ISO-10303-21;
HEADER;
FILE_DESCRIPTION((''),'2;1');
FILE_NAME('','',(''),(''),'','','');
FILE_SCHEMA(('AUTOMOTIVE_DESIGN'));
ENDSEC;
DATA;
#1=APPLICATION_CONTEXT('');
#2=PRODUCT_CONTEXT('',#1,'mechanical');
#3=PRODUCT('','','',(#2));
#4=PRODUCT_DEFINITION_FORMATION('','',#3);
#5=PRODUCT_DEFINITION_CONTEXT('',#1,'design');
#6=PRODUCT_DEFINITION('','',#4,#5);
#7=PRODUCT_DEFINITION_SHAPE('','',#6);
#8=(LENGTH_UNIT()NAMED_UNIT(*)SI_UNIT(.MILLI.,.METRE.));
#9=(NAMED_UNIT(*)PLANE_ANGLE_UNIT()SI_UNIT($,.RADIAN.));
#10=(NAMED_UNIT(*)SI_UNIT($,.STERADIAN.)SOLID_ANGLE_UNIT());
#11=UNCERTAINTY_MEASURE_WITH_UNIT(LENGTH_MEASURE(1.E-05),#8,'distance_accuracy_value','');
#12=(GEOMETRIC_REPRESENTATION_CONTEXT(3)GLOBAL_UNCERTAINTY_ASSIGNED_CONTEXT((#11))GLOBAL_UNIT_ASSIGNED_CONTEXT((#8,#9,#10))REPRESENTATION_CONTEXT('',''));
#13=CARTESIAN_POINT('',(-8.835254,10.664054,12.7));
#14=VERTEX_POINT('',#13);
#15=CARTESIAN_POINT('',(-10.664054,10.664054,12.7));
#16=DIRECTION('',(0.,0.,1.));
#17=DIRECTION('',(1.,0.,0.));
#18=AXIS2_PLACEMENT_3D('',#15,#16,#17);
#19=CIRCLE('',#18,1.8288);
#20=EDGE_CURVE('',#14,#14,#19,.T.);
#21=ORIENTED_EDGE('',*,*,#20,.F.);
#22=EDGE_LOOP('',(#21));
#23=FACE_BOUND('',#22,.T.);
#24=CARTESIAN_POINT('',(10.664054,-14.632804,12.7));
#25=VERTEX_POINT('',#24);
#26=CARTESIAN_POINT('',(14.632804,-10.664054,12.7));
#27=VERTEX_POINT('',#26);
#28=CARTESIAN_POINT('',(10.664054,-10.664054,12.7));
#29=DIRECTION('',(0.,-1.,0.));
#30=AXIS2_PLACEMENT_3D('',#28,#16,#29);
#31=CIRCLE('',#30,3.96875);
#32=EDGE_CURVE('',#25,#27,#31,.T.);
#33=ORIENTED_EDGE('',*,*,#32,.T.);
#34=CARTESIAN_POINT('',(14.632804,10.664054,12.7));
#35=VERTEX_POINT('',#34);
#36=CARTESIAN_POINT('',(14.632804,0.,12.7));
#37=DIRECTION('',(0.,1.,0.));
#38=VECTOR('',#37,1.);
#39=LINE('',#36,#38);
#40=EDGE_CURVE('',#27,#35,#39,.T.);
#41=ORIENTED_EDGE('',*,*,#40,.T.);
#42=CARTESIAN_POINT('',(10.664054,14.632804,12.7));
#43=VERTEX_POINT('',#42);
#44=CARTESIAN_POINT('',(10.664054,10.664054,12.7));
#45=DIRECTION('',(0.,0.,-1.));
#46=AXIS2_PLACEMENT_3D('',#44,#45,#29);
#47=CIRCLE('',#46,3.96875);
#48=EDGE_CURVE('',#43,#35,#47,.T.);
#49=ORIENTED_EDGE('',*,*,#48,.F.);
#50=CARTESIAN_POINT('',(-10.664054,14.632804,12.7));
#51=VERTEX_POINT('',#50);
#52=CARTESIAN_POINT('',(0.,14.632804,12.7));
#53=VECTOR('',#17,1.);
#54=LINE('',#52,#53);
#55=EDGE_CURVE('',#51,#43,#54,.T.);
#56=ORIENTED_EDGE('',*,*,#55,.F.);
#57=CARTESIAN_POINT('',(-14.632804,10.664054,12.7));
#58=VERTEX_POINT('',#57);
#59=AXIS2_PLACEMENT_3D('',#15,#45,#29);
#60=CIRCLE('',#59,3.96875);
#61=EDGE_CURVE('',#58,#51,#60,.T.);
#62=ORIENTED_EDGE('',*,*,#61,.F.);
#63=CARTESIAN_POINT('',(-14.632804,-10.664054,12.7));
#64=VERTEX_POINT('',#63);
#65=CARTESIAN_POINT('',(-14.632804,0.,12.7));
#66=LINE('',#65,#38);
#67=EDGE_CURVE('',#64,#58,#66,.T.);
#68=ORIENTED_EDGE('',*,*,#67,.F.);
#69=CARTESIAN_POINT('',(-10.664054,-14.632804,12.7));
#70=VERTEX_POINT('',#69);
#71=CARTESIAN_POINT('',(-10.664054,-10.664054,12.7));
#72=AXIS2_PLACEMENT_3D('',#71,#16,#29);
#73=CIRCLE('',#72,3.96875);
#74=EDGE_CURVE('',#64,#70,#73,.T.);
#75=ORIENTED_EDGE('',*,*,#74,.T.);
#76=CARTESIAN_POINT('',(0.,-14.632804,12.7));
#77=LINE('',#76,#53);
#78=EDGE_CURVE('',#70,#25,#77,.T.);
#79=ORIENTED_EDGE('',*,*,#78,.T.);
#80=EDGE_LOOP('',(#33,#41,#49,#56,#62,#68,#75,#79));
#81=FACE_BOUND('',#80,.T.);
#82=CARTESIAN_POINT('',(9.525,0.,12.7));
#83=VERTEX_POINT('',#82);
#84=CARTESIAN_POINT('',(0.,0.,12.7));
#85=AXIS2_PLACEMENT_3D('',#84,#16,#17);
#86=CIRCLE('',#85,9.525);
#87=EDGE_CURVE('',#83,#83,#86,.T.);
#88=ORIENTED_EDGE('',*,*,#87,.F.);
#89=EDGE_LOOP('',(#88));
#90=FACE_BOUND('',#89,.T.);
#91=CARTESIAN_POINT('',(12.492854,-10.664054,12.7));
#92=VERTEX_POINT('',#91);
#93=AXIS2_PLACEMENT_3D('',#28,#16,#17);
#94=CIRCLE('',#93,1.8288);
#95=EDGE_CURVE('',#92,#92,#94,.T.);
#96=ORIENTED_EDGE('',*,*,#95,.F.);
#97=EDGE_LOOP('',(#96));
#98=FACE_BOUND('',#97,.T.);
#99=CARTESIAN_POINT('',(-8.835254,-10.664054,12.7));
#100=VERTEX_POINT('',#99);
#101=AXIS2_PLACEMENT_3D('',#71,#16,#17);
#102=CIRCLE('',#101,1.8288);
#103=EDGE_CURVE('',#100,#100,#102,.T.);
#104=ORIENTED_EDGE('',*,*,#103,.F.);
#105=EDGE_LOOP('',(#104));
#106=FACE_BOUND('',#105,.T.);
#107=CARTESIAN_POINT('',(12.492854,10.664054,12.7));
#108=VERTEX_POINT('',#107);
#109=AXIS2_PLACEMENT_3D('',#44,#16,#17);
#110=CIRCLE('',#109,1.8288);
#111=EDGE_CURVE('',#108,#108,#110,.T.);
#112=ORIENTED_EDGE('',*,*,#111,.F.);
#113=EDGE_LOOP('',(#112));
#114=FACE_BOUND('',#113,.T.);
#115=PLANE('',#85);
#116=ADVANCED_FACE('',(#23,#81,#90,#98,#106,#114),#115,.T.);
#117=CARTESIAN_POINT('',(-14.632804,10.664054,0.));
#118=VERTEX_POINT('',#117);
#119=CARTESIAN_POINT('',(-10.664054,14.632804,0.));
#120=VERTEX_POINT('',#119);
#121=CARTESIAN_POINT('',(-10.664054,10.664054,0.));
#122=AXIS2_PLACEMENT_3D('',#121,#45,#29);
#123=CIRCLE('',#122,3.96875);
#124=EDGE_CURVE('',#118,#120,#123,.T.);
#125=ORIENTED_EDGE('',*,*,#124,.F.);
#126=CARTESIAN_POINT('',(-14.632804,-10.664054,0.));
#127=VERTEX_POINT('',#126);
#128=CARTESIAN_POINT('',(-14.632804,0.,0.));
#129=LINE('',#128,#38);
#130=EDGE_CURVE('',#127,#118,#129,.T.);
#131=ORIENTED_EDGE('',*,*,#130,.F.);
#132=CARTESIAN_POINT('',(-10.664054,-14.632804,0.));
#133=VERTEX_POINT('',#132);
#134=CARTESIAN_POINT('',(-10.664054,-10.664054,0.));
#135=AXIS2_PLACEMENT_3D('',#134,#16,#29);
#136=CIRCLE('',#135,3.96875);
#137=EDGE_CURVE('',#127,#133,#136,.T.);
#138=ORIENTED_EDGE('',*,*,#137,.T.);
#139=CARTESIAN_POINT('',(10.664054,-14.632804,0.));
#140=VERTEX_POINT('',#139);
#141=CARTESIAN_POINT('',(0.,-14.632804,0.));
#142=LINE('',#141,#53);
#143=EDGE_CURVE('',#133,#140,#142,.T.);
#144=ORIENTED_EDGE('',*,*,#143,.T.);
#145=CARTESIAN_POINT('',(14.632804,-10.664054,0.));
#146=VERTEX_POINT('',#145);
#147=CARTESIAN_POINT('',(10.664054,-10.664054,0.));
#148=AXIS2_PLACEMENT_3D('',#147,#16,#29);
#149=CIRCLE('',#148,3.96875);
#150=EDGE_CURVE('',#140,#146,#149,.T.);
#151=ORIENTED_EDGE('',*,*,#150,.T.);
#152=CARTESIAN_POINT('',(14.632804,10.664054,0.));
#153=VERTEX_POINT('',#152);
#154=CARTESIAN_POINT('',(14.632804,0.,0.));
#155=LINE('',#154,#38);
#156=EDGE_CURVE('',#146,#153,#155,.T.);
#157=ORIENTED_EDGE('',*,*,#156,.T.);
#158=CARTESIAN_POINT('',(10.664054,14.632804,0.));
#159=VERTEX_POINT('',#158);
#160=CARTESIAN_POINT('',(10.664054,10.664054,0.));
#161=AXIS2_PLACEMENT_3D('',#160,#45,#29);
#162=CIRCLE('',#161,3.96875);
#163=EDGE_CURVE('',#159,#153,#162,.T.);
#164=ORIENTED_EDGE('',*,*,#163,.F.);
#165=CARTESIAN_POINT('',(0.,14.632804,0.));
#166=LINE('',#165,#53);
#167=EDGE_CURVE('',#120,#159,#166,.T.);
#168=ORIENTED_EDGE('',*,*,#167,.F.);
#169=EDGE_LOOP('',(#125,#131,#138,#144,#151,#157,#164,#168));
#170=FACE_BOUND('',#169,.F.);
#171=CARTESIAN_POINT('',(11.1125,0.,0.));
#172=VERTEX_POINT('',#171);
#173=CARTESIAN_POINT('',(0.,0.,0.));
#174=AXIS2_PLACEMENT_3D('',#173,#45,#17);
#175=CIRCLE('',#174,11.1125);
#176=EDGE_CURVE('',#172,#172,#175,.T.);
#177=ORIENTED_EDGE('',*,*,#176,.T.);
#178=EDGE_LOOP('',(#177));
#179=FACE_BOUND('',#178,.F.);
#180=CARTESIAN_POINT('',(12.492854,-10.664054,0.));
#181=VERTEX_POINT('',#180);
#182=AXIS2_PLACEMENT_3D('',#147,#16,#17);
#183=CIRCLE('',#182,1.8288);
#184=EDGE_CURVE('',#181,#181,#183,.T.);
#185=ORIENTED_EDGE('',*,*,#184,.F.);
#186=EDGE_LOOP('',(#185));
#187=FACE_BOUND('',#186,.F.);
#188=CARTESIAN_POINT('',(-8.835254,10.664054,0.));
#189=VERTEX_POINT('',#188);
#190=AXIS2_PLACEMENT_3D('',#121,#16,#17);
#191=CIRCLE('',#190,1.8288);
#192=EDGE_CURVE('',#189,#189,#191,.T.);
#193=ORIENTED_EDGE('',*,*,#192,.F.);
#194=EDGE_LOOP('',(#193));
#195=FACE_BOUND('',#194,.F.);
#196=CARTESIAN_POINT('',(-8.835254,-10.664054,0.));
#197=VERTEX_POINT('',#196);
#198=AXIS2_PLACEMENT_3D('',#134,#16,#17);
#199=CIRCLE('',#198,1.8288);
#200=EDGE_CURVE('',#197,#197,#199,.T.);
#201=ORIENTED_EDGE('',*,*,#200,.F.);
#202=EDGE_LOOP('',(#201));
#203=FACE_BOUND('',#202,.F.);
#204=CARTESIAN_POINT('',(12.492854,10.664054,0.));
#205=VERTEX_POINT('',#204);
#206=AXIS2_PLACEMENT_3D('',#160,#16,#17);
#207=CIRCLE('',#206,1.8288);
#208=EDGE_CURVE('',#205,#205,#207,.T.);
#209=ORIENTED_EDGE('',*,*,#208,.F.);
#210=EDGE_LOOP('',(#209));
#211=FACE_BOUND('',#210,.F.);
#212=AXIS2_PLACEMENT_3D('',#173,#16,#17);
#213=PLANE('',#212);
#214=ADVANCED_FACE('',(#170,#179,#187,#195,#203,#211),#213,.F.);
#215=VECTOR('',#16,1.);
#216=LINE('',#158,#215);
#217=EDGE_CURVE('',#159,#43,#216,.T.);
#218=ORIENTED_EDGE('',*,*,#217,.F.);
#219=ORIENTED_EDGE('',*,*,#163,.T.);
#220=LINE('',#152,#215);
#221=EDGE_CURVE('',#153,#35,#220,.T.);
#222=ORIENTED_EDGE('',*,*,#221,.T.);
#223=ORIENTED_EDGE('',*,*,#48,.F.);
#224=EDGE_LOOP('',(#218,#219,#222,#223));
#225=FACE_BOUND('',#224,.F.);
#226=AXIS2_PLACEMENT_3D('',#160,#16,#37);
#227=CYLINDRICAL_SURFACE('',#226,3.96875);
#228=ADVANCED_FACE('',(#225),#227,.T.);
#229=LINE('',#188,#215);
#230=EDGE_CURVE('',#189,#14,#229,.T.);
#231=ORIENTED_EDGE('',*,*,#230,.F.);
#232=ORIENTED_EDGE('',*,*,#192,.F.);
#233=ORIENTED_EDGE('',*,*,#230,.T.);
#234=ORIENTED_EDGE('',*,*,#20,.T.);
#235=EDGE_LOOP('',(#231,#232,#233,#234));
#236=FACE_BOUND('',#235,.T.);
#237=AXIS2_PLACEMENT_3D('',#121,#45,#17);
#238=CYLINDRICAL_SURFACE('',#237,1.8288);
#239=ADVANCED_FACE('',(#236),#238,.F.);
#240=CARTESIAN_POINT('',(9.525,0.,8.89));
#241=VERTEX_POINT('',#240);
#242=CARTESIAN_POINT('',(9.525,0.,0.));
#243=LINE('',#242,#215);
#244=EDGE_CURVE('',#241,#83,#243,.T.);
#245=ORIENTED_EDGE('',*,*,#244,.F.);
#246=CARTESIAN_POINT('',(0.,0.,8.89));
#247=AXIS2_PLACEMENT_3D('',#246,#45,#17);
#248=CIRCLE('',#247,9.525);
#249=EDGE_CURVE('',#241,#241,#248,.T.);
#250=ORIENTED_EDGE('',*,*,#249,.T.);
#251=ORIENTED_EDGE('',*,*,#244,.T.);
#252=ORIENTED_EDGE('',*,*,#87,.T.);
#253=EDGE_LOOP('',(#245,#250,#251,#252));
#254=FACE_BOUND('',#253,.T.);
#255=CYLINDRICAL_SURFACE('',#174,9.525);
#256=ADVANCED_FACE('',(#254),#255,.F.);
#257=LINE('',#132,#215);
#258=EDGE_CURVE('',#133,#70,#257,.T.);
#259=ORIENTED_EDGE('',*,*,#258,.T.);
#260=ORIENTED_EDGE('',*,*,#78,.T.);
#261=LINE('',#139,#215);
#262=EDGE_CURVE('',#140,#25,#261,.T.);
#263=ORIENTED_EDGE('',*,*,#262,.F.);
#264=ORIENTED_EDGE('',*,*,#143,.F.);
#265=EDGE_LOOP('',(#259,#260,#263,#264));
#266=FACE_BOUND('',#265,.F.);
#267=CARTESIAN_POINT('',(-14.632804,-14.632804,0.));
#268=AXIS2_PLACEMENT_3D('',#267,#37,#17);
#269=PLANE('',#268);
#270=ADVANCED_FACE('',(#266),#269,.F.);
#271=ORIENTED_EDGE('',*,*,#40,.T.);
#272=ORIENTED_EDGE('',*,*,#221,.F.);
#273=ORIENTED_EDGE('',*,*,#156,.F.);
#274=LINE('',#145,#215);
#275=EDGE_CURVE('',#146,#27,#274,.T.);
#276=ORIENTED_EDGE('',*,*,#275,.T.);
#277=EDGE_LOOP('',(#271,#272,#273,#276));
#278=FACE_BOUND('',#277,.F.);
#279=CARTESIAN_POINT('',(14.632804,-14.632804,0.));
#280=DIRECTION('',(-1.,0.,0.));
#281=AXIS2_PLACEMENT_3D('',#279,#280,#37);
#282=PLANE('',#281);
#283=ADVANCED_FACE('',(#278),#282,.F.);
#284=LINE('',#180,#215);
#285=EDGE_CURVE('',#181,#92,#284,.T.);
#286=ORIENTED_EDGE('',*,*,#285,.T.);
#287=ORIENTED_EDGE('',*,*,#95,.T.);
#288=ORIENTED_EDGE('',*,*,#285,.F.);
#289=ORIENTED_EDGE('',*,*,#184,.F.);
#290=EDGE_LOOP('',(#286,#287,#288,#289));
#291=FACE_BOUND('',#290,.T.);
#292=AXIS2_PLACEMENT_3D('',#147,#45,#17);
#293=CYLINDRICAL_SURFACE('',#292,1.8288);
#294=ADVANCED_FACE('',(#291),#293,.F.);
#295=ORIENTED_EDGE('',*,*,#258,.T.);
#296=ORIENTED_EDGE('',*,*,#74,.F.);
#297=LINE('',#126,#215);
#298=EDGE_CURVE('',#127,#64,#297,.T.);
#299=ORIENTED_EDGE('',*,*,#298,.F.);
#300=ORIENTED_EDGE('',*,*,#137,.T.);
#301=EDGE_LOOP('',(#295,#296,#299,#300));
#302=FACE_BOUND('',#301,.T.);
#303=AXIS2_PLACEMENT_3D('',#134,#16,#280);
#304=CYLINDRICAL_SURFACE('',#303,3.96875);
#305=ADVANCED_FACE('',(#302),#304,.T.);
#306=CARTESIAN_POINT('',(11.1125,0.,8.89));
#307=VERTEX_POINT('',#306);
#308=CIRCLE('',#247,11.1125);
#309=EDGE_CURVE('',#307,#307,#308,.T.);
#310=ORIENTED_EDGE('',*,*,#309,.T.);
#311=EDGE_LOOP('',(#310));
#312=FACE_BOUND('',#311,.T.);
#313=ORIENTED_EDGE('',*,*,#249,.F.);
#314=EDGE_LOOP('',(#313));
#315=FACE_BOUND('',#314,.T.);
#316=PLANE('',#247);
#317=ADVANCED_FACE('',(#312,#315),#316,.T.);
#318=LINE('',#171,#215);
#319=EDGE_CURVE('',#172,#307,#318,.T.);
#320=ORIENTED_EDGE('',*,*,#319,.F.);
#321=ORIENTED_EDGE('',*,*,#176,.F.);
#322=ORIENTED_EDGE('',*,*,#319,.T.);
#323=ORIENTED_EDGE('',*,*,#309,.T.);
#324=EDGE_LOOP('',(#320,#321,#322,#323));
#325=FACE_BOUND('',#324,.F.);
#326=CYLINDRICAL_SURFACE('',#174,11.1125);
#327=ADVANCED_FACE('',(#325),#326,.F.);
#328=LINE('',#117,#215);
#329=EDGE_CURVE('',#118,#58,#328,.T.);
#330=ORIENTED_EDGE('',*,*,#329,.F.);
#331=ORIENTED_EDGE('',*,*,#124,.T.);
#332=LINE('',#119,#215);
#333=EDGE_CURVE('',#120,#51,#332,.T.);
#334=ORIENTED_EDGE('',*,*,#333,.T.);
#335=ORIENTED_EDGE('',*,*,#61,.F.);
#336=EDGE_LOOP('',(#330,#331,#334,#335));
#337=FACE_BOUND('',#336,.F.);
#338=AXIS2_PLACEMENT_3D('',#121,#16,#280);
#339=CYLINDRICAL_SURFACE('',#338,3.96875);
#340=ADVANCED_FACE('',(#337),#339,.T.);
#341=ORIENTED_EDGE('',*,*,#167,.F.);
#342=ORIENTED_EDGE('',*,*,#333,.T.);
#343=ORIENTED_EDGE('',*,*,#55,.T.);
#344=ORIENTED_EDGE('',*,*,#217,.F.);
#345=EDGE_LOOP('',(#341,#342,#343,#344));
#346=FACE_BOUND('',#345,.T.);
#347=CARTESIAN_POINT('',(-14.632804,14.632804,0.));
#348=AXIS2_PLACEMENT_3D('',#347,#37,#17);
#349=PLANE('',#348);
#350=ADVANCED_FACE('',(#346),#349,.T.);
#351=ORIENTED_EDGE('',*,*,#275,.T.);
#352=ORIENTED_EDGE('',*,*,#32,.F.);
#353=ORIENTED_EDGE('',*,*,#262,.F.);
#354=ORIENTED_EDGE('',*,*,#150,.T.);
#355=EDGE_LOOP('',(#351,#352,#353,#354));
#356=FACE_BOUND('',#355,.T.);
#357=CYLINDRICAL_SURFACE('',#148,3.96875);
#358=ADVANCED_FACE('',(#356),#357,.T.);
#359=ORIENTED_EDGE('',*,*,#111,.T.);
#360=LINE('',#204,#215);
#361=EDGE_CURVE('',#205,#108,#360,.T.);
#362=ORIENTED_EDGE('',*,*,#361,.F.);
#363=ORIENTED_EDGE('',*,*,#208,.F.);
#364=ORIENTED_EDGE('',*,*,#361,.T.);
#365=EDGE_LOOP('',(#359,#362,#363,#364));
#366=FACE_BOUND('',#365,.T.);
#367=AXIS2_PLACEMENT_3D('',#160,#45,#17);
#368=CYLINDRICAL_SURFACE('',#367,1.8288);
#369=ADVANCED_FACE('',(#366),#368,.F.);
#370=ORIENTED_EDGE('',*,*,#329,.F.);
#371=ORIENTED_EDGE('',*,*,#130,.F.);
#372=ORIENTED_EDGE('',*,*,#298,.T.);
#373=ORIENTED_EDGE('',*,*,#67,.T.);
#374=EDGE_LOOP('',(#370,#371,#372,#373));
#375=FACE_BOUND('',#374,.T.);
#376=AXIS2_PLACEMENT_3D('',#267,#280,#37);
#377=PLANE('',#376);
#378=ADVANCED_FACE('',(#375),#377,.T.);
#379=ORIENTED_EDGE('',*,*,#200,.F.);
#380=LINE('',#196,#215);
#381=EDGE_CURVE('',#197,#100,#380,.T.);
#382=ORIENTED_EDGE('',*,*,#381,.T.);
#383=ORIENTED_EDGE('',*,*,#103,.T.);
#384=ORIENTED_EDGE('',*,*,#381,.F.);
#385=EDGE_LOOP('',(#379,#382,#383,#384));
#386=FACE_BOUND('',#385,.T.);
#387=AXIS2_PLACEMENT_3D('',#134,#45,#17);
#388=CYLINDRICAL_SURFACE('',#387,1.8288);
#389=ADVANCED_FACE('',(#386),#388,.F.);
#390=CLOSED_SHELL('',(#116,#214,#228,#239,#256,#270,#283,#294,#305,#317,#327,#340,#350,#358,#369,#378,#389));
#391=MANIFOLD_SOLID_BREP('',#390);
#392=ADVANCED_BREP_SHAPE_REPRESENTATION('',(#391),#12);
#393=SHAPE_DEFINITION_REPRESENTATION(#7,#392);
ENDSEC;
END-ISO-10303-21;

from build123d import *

# Parameters (mm, degrees)
F0_W     = 29.265608
F0_H     = 29.265608
F0_R     = 1.8288
F0_R_2   = 9.525
F1_DEPTH = 12.7
F2_R     = 3.96875
F3_R     = 11.1125
F4_DEPTH = 8.89


with BuildPart() as f1:
    # F0 (on Top) → F1 (new body)
    with BuildSketch(Plane.XY):
        Rectangle(F0_W, F0_H)
        with Locations((-10.664054, -10.664054)):
            Circle(F0_R, mode=Mode.SUBTRACT)
        with Locations((10.664054, -10.664054)):
            Circle(F0_R, mode=Mode.SUBTRACT)
        with Locations((-10.664054, 10.664054)):
            Circle(F0_R, mode=Mode.SUBTRACT)
        Circle(F0_R_2, mode=Mode.SUBTRACT)
        with Locations((10.664054, 10.664054)):
            Circle(F0_R, mode=Mode.SUBTRACT)
    extrude(amount=F1_DEPTH)

    # F2
    f2_edges = [f1.edges().sort_by_distance(p)[0] for p in [
        (-14.632804, 14.632804, 6.35),
        (-14.632804, -14.632804, 6.35),
        (14.632804, -14.632804, 6.35),
        (14.632804, 14.632804, 6.35),
    ]]
    fillet(f2_edges, radius=F2_R)

    # F3 (on face) → F4 (cut)
    with BuildSketch(Plane(origin=(0, 0, 0), x_dir=(1, 0, 0), z_dir=(0, 0, -1))):
        Circle(F3_R)
    extrude(amount=-F4_DEPTH, mode=Mode.SUBTRACT)


solid = f1.part
